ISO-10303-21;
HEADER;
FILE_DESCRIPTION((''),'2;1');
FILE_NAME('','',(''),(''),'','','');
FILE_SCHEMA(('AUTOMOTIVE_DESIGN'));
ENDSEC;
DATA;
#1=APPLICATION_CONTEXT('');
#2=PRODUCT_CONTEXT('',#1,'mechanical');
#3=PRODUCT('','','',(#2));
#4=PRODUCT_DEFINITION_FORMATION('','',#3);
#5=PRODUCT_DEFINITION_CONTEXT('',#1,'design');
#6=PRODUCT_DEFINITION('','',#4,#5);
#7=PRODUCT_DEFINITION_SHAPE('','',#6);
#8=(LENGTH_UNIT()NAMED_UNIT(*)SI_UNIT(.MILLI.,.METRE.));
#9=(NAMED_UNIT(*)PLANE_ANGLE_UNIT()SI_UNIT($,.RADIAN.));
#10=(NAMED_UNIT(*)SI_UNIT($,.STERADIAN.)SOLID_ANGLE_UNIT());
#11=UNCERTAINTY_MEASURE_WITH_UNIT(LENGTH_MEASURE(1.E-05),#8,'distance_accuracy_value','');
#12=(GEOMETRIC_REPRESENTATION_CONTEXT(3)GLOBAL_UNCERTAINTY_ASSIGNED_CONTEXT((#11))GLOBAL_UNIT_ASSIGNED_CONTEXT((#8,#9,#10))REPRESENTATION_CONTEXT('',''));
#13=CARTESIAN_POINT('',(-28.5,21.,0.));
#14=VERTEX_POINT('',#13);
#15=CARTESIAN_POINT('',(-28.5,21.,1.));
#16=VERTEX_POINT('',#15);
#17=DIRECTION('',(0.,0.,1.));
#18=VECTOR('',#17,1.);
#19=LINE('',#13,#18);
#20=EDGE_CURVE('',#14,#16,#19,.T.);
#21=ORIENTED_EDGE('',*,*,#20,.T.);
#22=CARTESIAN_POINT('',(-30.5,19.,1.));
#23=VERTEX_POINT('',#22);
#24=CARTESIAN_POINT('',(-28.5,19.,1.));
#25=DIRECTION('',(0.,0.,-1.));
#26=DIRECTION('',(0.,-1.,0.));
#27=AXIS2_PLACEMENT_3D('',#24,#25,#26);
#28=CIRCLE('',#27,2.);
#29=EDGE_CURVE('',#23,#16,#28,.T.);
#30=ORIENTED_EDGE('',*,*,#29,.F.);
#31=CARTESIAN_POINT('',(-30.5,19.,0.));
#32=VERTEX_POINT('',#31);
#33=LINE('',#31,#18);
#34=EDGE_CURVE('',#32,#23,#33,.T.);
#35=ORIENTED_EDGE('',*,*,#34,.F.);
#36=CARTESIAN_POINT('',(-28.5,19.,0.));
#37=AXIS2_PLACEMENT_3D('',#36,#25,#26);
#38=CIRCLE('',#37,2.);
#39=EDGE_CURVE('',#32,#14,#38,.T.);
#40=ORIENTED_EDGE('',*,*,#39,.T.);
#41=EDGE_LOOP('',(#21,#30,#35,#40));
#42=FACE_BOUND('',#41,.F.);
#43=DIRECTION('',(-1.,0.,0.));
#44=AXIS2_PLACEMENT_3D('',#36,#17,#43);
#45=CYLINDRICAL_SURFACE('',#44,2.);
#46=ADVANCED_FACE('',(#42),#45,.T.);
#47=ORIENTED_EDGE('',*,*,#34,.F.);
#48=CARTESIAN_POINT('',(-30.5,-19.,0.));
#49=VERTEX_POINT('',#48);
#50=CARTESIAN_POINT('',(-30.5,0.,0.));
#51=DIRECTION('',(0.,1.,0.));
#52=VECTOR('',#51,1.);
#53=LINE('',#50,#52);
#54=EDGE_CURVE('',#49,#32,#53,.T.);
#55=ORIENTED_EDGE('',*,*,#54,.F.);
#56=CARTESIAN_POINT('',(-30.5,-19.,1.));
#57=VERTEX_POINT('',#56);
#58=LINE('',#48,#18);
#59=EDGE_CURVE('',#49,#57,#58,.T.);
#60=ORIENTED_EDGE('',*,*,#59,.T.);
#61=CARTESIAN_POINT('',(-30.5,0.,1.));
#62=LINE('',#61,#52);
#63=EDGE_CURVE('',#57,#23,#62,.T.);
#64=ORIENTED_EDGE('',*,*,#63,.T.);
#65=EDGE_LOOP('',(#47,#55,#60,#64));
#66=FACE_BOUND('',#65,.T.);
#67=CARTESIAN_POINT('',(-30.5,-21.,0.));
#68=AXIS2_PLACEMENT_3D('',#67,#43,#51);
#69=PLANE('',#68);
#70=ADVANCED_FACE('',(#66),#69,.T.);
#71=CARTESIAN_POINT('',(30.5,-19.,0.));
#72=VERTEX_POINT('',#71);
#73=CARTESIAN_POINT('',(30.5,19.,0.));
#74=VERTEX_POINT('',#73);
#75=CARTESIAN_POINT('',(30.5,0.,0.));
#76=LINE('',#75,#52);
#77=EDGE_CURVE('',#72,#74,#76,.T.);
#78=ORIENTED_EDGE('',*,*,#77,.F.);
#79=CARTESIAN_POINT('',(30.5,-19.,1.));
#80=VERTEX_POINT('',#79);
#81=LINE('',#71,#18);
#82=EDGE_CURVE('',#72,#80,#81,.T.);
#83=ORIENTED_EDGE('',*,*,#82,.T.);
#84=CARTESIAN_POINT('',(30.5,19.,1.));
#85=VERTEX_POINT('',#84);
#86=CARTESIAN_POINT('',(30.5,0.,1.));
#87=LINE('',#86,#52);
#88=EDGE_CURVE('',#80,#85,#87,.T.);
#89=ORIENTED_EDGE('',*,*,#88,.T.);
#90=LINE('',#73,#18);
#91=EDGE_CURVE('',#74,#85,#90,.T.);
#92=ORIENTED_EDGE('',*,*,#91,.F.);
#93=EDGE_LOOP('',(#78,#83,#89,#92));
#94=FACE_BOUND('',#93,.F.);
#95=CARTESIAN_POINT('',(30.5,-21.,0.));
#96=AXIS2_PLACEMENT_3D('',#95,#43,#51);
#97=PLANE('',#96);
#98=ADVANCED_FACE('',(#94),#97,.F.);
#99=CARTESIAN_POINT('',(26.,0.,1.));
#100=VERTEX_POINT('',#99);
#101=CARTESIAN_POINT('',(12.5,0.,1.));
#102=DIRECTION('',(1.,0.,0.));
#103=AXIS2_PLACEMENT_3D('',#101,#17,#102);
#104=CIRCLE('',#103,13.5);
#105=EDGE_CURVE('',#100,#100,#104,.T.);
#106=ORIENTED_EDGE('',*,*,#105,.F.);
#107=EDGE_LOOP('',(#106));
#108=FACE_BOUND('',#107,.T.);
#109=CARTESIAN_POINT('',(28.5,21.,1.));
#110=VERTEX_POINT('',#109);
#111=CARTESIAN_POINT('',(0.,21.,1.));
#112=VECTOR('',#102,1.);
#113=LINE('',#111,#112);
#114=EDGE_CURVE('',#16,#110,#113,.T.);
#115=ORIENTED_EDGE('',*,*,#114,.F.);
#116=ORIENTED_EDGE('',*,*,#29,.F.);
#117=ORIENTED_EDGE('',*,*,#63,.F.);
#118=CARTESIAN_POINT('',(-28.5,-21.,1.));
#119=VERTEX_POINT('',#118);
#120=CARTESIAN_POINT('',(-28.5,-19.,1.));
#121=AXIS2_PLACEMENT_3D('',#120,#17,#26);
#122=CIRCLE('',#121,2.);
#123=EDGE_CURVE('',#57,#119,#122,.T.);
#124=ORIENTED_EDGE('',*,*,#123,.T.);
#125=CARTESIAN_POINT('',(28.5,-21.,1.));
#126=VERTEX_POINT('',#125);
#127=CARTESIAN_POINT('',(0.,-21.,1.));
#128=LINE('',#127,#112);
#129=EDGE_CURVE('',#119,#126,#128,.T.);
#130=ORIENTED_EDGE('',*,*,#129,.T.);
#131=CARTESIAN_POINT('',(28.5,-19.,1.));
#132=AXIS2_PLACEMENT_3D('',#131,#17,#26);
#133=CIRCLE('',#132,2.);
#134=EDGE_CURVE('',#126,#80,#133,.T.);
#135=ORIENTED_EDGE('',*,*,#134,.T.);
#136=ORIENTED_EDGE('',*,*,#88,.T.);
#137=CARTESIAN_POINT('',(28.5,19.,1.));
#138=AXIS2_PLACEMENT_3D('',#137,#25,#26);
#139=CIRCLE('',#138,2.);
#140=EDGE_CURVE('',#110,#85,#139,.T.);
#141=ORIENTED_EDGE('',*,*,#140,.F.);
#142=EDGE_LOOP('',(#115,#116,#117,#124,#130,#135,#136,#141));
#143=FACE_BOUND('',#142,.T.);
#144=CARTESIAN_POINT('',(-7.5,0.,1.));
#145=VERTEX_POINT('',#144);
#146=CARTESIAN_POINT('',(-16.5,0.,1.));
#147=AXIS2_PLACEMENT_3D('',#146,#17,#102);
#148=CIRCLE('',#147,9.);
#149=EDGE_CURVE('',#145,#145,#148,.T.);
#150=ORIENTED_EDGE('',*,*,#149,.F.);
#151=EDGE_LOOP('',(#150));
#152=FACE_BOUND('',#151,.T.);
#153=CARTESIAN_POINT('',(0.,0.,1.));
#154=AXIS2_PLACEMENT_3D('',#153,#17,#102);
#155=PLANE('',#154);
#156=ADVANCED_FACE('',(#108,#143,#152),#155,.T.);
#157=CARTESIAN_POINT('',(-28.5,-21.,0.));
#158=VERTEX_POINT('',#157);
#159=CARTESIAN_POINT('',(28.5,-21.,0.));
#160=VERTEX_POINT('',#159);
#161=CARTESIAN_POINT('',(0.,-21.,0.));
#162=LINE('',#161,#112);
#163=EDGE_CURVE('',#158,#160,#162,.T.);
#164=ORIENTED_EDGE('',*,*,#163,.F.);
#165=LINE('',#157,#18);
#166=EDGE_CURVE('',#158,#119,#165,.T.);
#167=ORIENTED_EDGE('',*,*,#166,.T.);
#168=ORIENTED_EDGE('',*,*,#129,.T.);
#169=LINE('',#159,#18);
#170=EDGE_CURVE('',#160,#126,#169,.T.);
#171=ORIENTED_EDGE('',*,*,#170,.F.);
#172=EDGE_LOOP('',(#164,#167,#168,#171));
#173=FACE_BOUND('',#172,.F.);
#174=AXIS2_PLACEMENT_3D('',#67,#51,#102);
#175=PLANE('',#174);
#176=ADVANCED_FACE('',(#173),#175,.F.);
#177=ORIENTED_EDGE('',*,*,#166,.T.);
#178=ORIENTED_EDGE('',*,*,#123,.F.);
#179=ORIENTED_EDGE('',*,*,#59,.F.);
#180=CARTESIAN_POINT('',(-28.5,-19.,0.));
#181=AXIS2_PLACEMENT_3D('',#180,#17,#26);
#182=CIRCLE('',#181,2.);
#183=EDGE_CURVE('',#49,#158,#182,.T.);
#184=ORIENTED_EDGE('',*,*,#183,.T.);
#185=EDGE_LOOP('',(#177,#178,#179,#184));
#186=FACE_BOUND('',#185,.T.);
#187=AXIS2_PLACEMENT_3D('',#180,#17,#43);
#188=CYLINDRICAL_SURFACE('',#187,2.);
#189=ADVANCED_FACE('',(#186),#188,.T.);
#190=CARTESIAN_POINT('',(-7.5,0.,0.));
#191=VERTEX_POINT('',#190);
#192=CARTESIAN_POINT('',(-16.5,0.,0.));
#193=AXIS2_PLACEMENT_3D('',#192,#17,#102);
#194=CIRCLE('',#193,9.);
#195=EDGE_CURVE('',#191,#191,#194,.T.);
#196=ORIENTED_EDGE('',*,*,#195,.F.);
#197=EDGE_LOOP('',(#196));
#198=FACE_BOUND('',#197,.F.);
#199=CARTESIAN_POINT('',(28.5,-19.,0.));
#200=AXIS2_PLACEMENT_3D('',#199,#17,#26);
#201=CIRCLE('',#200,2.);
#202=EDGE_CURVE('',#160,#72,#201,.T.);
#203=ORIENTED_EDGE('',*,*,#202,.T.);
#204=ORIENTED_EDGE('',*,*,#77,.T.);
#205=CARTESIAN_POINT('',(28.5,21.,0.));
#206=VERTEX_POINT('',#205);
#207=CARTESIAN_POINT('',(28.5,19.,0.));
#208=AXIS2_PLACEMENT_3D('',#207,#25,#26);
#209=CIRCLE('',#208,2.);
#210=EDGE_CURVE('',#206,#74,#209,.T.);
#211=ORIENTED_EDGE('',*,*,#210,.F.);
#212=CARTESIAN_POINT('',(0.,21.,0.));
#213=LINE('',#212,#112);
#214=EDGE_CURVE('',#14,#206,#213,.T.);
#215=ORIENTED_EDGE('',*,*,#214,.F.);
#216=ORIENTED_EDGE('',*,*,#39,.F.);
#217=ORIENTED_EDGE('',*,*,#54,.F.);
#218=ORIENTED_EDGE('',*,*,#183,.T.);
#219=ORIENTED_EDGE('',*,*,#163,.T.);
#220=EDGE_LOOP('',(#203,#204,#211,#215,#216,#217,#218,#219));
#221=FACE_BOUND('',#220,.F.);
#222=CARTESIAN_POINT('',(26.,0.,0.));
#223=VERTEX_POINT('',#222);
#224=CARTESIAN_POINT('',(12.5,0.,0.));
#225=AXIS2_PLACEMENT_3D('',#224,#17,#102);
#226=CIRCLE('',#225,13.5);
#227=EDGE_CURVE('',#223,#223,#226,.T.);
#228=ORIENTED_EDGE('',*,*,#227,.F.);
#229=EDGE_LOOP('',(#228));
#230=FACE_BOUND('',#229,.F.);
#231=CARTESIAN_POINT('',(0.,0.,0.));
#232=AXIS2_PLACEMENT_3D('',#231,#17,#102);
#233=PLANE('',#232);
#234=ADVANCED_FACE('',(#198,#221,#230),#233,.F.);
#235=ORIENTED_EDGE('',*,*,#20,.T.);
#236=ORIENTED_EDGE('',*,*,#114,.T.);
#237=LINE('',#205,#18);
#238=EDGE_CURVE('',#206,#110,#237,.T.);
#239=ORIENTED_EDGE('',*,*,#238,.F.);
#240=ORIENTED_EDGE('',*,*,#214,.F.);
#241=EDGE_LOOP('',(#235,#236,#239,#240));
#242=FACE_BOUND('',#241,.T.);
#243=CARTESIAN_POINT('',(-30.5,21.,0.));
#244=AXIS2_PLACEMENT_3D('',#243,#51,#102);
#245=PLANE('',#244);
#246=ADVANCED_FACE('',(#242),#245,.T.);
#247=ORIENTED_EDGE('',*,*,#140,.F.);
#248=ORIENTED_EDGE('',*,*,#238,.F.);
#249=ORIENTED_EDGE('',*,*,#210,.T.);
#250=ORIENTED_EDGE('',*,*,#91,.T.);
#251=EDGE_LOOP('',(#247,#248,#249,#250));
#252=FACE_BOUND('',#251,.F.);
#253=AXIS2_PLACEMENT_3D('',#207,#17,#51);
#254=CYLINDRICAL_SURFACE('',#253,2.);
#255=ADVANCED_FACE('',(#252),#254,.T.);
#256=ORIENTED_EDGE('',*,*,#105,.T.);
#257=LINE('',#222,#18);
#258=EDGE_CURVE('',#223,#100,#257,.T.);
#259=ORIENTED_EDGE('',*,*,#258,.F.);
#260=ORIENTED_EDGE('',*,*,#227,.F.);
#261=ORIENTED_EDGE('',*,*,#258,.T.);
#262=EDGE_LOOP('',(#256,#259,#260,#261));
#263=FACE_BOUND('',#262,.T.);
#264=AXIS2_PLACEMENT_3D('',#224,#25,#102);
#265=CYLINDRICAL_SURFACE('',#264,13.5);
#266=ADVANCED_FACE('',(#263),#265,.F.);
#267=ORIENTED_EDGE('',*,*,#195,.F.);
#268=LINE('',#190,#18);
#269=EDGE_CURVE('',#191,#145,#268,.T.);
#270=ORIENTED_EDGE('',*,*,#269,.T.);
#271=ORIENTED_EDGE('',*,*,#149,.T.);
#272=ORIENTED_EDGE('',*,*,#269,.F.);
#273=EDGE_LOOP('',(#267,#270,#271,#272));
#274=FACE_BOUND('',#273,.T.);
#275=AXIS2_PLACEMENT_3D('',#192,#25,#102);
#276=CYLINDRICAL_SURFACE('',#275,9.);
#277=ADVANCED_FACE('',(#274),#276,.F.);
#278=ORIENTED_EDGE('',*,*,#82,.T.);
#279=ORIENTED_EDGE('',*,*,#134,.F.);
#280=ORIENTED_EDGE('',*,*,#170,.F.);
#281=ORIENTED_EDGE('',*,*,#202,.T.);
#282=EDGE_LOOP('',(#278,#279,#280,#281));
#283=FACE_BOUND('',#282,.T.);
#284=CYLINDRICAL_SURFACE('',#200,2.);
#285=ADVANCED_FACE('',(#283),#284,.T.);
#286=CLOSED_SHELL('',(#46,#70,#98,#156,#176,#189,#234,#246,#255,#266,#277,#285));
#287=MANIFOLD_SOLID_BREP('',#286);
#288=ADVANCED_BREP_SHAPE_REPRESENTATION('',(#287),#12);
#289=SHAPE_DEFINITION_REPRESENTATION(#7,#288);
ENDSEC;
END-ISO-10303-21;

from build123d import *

# Parameters (mm, degrees)
F0_W     = 61
F0_H     = 42
F0_R     = 9
F0_R_2   = 13.5
F1_DEPTH = 1
F2_R     = 2


with BuildPart() as f1:
    # F0 (on Top) → F1 (new body)
    with BuildSketch(Plane.XY):
        Rectangle(F0_W, F0_H)
        with Locations((-16.5, 0)):
            Circle(F0_R, mode=Mode.SUBTRACT)
        with Locations((12.5, 0)):
            Circle(F0_R_2, mode=Mode.SUBTRACT)
    extrude(amount=F1_DEPTH)

    # F2
    f2_edges = [f1.edges().sort_by_distance(p)[0] for p in [
        (-30.5, 21, 0.5),
        (30.5, 21, 0.5),
        (30.5, -21, 0.5),
        (-30.5, -21, 0.5),
    ]]
    fillet(f2_edges, radius=F2_R)


solid = f1.part
